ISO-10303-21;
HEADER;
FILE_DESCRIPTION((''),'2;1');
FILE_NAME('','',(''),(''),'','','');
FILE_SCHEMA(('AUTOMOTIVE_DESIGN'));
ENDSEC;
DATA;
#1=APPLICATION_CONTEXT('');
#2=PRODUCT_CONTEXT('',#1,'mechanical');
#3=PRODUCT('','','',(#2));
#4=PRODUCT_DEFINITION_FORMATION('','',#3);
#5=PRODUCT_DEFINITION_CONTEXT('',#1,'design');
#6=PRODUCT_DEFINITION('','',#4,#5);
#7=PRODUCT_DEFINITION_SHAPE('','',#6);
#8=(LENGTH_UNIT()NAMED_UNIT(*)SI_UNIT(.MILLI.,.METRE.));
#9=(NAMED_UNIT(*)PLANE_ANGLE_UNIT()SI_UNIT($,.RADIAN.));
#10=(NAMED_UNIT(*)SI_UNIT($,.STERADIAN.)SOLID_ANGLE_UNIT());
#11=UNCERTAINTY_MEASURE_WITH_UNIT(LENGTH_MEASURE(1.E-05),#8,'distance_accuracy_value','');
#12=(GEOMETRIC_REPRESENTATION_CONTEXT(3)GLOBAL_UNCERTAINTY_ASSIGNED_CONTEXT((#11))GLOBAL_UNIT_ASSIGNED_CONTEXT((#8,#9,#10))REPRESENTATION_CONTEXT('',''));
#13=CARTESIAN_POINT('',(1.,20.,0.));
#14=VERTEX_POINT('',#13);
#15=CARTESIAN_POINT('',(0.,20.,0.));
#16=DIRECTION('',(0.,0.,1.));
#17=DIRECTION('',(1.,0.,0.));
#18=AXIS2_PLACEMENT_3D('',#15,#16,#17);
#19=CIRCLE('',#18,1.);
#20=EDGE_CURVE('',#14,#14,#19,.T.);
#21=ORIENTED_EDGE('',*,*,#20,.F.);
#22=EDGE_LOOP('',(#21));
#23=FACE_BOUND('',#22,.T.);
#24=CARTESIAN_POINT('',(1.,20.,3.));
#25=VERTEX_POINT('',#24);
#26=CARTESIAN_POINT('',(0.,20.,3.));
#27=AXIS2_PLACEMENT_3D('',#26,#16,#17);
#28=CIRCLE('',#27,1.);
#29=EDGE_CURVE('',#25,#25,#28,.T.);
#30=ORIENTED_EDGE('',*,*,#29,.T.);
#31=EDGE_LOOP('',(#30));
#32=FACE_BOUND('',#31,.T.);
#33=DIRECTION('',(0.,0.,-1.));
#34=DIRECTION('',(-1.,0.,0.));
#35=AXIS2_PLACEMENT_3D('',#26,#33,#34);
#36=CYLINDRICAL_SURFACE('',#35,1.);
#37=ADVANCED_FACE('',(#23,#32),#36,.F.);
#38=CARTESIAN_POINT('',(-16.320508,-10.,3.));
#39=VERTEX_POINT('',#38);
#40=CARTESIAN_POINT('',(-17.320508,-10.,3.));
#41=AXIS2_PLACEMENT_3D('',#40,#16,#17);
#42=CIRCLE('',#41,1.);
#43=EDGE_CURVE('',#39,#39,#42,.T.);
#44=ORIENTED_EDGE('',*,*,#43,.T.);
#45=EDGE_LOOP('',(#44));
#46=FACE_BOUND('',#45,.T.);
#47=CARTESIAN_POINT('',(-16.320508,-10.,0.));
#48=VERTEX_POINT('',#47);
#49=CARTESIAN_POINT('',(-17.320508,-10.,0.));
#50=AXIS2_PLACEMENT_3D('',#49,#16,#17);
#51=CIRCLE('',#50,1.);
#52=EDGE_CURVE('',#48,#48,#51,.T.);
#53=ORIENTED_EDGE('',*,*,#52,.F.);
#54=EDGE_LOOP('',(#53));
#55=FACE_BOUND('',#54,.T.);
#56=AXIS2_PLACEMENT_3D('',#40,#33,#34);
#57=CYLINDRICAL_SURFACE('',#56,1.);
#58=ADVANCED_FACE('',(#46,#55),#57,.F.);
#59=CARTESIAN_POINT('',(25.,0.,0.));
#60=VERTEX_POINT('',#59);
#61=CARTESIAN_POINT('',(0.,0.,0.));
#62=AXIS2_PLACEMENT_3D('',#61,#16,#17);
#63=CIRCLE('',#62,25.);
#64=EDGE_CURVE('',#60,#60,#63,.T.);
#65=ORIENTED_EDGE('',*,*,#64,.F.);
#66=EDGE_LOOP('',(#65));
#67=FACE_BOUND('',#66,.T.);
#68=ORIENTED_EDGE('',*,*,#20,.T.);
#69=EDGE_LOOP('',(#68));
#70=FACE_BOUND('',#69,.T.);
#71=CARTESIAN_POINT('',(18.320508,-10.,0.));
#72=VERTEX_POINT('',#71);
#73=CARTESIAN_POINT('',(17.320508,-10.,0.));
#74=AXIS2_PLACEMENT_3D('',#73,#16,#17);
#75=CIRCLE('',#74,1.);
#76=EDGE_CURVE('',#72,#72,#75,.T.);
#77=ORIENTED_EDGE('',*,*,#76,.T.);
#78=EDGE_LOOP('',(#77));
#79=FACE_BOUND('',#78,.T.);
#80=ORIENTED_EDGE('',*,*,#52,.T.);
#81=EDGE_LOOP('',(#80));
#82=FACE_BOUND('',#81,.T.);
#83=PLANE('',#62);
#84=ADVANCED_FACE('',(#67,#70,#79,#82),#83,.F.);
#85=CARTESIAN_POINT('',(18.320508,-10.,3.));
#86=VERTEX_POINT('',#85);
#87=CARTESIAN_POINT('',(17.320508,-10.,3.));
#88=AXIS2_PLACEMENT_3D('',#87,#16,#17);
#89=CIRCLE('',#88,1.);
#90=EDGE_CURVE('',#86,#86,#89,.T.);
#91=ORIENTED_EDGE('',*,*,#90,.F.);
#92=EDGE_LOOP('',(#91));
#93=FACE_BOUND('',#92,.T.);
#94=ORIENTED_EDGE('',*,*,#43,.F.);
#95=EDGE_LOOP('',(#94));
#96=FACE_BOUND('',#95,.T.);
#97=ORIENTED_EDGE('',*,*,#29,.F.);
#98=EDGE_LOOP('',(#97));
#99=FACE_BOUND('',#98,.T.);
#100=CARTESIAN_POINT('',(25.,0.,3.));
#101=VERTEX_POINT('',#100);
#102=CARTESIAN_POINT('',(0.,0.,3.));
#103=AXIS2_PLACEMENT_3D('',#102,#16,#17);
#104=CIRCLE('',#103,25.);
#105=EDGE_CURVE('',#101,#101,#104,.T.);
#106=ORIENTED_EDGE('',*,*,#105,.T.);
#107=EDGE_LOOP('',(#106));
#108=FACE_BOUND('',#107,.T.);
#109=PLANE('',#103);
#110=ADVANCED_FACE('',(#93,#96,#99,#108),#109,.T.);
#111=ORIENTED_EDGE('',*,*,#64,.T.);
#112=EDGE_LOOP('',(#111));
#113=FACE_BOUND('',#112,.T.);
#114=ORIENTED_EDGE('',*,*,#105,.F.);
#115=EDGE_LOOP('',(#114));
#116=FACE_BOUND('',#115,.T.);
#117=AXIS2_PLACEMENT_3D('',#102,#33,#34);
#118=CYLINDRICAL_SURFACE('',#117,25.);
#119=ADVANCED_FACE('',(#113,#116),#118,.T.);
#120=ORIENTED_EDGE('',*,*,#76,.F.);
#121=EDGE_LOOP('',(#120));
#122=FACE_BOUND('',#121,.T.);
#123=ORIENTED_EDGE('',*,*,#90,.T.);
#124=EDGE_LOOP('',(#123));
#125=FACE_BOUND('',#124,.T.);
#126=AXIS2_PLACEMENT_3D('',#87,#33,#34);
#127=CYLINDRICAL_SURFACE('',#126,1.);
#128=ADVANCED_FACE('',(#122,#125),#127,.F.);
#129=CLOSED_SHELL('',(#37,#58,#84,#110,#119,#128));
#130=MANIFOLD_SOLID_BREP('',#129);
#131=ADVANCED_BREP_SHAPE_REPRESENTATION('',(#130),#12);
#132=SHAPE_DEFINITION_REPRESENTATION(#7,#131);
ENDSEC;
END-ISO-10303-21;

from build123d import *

# Parameters (mm, degrees)
SKETCH_1_R      = 25
SKETCH_1_R_2    = 1
EXTRUDE_1_DEPTH = 3


with BuildPart() as part:
    # 草图1 → 凸台-拉伸1 (new body)
    with BuildSketch(Plane.XY):
        Circle(SKETCH_1_R)
        with Locations((0, 20)):
            Circle(SKETCH_1_R_2, mode=Mode.SUBTRACT)
        with Locations((-17.320508076, -10)):
            Circle(SKETCH_1_R_2, mode=Mode.SUBTRACT)
        with Locations((17.320508076, -10)):
            Circle(SKETCH_1_R_2, mode=Mode.SUBTRACT)
    extrude(amount=EXTRUDE_1_DEPTH)


solid = part.part
